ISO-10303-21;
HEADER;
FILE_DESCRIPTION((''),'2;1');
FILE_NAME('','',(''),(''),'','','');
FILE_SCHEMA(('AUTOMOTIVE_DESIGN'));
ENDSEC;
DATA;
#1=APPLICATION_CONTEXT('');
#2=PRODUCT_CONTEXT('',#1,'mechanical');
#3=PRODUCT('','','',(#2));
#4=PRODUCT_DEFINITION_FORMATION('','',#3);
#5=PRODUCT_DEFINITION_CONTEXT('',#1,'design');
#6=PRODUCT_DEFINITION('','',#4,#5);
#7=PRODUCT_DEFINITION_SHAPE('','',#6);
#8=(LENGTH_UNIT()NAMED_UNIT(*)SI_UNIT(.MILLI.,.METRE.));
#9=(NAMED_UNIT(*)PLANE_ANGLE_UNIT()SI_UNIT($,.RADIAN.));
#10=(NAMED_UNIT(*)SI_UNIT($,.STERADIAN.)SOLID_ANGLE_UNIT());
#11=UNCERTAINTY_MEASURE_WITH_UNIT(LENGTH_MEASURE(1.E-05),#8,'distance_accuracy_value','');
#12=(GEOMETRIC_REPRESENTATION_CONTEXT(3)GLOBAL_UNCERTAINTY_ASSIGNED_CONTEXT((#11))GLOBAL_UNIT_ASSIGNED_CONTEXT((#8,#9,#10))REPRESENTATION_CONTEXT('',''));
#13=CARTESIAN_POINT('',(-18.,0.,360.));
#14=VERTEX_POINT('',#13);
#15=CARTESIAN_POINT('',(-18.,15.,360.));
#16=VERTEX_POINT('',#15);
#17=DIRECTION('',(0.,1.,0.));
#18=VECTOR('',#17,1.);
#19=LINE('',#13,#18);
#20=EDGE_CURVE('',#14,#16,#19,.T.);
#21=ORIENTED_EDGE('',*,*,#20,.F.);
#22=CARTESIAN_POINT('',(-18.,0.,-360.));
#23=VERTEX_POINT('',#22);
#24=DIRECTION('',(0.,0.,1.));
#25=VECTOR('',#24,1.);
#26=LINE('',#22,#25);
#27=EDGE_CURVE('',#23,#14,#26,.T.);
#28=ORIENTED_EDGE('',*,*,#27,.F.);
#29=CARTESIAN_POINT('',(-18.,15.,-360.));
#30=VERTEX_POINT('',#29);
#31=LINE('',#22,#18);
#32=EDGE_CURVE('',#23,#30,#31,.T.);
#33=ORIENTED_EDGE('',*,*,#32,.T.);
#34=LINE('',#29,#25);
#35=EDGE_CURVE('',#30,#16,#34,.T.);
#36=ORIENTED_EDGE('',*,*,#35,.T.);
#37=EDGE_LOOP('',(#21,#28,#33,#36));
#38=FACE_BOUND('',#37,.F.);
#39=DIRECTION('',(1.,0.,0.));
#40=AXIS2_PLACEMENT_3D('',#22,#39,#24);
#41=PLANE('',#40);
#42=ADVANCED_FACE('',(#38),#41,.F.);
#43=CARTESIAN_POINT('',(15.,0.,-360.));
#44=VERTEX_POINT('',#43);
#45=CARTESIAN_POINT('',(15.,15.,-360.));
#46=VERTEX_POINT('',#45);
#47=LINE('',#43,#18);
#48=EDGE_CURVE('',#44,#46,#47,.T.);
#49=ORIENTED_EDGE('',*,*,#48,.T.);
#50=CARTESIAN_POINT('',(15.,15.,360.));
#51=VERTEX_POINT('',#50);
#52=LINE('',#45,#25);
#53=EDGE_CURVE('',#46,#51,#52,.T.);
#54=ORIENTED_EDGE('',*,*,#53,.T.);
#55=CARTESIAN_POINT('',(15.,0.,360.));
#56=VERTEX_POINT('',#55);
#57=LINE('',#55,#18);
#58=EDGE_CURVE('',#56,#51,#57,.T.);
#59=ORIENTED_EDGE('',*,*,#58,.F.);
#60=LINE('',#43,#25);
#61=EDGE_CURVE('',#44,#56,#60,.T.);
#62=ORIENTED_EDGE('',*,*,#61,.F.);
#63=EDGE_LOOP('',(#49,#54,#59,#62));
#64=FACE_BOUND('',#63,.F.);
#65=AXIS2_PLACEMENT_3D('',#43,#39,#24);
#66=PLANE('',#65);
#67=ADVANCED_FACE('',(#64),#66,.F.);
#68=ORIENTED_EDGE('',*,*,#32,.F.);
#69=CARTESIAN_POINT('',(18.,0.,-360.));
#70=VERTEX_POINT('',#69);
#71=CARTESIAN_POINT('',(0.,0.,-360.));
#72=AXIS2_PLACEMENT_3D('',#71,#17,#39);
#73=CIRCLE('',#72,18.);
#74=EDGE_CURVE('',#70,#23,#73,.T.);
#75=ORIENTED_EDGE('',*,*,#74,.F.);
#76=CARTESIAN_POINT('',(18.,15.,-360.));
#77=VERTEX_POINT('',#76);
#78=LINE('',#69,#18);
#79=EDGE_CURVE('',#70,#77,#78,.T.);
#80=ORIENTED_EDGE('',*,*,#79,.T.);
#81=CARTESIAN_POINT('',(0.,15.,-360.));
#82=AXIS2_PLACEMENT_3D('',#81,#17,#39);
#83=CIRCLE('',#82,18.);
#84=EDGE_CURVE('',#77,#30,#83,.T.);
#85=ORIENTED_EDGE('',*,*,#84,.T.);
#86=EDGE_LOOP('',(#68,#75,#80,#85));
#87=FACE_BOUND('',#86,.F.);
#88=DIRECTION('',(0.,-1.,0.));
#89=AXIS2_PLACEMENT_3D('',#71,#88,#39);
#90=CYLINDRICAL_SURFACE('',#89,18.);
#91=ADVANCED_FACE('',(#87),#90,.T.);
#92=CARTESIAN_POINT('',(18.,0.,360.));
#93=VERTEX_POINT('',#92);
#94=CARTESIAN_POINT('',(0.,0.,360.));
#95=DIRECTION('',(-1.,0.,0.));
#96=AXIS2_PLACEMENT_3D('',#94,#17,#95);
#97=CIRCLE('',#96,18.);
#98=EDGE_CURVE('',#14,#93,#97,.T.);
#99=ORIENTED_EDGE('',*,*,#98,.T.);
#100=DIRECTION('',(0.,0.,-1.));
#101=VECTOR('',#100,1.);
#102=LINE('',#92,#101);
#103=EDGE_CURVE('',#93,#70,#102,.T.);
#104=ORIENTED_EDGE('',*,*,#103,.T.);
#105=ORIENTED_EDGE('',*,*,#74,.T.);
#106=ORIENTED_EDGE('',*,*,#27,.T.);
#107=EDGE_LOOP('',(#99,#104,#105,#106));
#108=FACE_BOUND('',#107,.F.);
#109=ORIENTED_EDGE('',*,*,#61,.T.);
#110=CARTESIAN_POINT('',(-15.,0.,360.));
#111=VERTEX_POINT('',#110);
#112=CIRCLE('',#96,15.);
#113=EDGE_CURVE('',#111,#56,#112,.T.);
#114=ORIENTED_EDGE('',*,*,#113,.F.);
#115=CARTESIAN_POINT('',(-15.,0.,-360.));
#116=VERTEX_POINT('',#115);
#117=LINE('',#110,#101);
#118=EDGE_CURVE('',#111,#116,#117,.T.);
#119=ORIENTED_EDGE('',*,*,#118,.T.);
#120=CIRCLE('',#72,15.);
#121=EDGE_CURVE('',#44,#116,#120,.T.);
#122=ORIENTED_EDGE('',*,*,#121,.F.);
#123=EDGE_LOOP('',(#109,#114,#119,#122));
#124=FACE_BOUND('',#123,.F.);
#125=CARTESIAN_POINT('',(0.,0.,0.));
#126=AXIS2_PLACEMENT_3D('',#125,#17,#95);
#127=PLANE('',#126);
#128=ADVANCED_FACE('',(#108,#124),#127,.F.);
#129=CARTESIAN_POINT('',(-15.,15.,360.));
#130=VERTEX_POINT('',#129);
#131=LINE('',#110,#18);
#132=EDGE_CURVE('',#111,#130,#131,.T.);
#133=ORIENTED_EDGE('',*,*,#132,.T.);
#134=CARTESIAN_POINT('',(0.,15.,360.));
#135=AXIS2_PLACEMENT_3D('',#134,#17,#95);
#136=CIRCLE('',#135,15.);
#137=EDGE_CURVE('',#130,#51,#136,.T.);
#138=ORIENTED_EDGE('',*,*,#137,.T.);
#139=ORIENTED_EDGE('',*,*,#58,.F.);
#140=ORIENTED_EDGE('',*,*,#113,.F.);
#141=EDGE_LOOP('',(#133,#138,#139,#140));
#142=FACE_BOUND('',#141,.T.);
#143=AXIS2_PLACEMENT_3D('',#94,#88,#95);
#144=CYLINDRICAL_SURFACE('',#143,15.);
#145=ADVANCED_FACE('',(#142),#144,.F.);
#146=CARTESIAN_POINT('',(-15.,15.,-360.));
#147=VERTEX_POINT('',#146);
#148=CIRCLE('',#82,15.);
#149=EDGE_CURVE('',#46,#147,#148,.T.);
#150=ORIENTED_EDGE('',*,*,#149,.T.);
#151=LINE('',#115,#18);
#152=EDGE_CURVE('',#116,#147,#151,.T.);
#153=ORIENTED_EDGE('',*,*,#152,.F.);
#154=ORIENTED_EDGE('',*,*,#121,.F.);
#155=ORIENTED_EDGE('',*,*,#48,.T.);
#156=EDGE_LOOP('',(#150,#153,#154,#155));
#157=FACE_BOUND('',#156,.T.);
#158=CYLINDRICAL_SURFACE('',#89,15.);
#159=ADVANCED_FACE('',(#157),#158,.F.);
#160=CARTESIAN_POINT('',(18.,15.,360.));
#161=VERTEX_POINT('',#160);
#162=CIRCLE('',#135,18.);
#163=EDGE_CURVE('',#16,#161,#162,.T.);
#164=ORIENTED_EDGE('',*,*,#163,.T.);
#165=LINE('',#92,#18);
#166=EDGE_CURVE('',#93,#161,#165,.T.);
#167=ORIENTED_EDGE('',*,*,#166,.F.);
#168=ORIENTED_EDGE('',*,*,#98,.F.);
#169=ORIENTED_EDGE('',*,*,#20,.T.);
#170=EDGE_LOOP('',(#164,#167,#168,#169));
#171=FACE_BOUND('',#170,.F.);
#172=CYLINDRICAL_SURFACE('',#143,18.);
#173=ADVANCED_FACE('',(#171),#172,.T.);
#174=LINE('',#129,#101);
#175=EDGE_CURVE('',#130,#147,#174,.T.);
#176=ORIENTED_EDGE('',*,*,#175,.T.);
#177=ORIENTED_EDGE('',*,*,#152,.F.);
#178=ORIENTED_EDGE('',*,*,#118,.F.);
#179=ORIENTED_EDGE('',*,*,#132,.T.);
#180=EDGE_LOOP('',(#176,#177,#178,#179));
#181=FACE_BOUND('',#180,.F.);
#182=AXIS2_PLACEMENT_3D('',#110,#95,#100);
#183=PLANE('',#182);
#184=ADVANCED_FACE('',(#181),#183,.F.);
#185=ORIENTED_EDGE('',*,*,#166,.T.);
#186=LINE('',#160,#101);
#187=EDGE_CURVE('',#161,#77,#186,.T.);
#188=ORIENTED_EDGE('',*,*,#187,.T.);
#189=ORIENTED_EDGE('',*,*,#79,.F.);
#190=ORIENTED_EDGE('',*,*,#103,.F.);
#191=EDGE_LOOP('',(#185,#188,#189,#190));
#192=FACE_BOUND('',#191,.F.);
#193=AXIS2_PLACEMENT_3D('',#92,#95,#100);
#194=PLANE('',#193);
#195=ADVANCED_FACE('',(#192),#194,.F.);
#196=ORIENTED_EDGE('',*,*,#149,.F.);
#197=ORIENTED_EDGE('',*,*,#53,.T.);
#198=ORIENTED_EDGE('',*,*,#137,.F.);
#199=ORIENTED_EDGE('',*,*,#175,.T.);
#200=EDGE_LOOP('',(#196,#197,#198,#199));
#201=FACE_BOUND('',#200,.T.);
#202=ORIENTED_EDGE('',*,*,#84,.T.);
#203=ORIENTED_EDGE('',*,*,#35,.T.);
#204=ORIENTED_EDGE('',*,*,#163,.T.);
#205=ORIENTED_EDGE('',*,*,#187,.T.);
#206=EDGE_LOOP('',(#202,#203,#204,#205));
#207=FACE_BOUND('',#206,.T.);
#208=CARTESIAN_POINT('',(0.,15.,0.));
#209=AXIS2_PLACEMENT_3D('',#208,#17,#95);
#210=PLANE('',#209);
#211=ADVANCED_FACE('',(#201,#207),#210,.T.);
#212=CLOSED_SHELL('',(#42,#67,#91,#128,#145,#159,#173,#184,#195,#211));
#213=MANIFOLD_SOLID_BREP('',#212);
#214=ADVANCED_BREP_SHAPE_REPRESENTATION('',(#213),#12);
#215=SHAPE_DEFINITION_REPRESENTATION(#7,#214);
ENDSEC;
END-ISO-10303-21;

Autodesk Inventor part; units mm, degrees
ref_plane "YZ Plane" through (0, 0, 0) normal (1, 0, 0) x (0, 1, 0)
ref_plane "XZ Plane" through (0, 0, 0) normal (0, 1, 0) x (-1, 0, 0)
ref_plane "XY Plane" through (0, 0, 0) normal (0, 0, 1) x (1, 0, 0)
sketch "Sketch1" plane through (0, 0, 0) normal (0, 1, 0) x (-1, 0, 0)
  line L0 (0, 375) -> (0, -375) construction
  line L1 (15, 360) -> (15, -360)
  line L2 (-15, -360) -> (-15, 360)
  arc A0 (15, 360) -> (-15, 360) centre (0, 360) ccw
  arc A1 (-15, -360) -> (15, -360) centre (0, -360) ccw
  line L3 (18, -360) -> (18, 360)
  arc A2 (18, 360) -> (-18, 360) centre (0, 360) ccw
  line L4 (-18, 360) -> (-18, -360)
  arc A3 (-18, -360) -> (18, -360) centre (0, -360) ccw
  point P0 (0, 0)
  point P1 (0, 0)
  dimension "d0" = 15
  dimension "d1" = 720
  dimension "d2" = 3
extrude "Extrusion1" add sketch "Sketch1" along normal blind 15
properties part number "X_Zahnriemen"
